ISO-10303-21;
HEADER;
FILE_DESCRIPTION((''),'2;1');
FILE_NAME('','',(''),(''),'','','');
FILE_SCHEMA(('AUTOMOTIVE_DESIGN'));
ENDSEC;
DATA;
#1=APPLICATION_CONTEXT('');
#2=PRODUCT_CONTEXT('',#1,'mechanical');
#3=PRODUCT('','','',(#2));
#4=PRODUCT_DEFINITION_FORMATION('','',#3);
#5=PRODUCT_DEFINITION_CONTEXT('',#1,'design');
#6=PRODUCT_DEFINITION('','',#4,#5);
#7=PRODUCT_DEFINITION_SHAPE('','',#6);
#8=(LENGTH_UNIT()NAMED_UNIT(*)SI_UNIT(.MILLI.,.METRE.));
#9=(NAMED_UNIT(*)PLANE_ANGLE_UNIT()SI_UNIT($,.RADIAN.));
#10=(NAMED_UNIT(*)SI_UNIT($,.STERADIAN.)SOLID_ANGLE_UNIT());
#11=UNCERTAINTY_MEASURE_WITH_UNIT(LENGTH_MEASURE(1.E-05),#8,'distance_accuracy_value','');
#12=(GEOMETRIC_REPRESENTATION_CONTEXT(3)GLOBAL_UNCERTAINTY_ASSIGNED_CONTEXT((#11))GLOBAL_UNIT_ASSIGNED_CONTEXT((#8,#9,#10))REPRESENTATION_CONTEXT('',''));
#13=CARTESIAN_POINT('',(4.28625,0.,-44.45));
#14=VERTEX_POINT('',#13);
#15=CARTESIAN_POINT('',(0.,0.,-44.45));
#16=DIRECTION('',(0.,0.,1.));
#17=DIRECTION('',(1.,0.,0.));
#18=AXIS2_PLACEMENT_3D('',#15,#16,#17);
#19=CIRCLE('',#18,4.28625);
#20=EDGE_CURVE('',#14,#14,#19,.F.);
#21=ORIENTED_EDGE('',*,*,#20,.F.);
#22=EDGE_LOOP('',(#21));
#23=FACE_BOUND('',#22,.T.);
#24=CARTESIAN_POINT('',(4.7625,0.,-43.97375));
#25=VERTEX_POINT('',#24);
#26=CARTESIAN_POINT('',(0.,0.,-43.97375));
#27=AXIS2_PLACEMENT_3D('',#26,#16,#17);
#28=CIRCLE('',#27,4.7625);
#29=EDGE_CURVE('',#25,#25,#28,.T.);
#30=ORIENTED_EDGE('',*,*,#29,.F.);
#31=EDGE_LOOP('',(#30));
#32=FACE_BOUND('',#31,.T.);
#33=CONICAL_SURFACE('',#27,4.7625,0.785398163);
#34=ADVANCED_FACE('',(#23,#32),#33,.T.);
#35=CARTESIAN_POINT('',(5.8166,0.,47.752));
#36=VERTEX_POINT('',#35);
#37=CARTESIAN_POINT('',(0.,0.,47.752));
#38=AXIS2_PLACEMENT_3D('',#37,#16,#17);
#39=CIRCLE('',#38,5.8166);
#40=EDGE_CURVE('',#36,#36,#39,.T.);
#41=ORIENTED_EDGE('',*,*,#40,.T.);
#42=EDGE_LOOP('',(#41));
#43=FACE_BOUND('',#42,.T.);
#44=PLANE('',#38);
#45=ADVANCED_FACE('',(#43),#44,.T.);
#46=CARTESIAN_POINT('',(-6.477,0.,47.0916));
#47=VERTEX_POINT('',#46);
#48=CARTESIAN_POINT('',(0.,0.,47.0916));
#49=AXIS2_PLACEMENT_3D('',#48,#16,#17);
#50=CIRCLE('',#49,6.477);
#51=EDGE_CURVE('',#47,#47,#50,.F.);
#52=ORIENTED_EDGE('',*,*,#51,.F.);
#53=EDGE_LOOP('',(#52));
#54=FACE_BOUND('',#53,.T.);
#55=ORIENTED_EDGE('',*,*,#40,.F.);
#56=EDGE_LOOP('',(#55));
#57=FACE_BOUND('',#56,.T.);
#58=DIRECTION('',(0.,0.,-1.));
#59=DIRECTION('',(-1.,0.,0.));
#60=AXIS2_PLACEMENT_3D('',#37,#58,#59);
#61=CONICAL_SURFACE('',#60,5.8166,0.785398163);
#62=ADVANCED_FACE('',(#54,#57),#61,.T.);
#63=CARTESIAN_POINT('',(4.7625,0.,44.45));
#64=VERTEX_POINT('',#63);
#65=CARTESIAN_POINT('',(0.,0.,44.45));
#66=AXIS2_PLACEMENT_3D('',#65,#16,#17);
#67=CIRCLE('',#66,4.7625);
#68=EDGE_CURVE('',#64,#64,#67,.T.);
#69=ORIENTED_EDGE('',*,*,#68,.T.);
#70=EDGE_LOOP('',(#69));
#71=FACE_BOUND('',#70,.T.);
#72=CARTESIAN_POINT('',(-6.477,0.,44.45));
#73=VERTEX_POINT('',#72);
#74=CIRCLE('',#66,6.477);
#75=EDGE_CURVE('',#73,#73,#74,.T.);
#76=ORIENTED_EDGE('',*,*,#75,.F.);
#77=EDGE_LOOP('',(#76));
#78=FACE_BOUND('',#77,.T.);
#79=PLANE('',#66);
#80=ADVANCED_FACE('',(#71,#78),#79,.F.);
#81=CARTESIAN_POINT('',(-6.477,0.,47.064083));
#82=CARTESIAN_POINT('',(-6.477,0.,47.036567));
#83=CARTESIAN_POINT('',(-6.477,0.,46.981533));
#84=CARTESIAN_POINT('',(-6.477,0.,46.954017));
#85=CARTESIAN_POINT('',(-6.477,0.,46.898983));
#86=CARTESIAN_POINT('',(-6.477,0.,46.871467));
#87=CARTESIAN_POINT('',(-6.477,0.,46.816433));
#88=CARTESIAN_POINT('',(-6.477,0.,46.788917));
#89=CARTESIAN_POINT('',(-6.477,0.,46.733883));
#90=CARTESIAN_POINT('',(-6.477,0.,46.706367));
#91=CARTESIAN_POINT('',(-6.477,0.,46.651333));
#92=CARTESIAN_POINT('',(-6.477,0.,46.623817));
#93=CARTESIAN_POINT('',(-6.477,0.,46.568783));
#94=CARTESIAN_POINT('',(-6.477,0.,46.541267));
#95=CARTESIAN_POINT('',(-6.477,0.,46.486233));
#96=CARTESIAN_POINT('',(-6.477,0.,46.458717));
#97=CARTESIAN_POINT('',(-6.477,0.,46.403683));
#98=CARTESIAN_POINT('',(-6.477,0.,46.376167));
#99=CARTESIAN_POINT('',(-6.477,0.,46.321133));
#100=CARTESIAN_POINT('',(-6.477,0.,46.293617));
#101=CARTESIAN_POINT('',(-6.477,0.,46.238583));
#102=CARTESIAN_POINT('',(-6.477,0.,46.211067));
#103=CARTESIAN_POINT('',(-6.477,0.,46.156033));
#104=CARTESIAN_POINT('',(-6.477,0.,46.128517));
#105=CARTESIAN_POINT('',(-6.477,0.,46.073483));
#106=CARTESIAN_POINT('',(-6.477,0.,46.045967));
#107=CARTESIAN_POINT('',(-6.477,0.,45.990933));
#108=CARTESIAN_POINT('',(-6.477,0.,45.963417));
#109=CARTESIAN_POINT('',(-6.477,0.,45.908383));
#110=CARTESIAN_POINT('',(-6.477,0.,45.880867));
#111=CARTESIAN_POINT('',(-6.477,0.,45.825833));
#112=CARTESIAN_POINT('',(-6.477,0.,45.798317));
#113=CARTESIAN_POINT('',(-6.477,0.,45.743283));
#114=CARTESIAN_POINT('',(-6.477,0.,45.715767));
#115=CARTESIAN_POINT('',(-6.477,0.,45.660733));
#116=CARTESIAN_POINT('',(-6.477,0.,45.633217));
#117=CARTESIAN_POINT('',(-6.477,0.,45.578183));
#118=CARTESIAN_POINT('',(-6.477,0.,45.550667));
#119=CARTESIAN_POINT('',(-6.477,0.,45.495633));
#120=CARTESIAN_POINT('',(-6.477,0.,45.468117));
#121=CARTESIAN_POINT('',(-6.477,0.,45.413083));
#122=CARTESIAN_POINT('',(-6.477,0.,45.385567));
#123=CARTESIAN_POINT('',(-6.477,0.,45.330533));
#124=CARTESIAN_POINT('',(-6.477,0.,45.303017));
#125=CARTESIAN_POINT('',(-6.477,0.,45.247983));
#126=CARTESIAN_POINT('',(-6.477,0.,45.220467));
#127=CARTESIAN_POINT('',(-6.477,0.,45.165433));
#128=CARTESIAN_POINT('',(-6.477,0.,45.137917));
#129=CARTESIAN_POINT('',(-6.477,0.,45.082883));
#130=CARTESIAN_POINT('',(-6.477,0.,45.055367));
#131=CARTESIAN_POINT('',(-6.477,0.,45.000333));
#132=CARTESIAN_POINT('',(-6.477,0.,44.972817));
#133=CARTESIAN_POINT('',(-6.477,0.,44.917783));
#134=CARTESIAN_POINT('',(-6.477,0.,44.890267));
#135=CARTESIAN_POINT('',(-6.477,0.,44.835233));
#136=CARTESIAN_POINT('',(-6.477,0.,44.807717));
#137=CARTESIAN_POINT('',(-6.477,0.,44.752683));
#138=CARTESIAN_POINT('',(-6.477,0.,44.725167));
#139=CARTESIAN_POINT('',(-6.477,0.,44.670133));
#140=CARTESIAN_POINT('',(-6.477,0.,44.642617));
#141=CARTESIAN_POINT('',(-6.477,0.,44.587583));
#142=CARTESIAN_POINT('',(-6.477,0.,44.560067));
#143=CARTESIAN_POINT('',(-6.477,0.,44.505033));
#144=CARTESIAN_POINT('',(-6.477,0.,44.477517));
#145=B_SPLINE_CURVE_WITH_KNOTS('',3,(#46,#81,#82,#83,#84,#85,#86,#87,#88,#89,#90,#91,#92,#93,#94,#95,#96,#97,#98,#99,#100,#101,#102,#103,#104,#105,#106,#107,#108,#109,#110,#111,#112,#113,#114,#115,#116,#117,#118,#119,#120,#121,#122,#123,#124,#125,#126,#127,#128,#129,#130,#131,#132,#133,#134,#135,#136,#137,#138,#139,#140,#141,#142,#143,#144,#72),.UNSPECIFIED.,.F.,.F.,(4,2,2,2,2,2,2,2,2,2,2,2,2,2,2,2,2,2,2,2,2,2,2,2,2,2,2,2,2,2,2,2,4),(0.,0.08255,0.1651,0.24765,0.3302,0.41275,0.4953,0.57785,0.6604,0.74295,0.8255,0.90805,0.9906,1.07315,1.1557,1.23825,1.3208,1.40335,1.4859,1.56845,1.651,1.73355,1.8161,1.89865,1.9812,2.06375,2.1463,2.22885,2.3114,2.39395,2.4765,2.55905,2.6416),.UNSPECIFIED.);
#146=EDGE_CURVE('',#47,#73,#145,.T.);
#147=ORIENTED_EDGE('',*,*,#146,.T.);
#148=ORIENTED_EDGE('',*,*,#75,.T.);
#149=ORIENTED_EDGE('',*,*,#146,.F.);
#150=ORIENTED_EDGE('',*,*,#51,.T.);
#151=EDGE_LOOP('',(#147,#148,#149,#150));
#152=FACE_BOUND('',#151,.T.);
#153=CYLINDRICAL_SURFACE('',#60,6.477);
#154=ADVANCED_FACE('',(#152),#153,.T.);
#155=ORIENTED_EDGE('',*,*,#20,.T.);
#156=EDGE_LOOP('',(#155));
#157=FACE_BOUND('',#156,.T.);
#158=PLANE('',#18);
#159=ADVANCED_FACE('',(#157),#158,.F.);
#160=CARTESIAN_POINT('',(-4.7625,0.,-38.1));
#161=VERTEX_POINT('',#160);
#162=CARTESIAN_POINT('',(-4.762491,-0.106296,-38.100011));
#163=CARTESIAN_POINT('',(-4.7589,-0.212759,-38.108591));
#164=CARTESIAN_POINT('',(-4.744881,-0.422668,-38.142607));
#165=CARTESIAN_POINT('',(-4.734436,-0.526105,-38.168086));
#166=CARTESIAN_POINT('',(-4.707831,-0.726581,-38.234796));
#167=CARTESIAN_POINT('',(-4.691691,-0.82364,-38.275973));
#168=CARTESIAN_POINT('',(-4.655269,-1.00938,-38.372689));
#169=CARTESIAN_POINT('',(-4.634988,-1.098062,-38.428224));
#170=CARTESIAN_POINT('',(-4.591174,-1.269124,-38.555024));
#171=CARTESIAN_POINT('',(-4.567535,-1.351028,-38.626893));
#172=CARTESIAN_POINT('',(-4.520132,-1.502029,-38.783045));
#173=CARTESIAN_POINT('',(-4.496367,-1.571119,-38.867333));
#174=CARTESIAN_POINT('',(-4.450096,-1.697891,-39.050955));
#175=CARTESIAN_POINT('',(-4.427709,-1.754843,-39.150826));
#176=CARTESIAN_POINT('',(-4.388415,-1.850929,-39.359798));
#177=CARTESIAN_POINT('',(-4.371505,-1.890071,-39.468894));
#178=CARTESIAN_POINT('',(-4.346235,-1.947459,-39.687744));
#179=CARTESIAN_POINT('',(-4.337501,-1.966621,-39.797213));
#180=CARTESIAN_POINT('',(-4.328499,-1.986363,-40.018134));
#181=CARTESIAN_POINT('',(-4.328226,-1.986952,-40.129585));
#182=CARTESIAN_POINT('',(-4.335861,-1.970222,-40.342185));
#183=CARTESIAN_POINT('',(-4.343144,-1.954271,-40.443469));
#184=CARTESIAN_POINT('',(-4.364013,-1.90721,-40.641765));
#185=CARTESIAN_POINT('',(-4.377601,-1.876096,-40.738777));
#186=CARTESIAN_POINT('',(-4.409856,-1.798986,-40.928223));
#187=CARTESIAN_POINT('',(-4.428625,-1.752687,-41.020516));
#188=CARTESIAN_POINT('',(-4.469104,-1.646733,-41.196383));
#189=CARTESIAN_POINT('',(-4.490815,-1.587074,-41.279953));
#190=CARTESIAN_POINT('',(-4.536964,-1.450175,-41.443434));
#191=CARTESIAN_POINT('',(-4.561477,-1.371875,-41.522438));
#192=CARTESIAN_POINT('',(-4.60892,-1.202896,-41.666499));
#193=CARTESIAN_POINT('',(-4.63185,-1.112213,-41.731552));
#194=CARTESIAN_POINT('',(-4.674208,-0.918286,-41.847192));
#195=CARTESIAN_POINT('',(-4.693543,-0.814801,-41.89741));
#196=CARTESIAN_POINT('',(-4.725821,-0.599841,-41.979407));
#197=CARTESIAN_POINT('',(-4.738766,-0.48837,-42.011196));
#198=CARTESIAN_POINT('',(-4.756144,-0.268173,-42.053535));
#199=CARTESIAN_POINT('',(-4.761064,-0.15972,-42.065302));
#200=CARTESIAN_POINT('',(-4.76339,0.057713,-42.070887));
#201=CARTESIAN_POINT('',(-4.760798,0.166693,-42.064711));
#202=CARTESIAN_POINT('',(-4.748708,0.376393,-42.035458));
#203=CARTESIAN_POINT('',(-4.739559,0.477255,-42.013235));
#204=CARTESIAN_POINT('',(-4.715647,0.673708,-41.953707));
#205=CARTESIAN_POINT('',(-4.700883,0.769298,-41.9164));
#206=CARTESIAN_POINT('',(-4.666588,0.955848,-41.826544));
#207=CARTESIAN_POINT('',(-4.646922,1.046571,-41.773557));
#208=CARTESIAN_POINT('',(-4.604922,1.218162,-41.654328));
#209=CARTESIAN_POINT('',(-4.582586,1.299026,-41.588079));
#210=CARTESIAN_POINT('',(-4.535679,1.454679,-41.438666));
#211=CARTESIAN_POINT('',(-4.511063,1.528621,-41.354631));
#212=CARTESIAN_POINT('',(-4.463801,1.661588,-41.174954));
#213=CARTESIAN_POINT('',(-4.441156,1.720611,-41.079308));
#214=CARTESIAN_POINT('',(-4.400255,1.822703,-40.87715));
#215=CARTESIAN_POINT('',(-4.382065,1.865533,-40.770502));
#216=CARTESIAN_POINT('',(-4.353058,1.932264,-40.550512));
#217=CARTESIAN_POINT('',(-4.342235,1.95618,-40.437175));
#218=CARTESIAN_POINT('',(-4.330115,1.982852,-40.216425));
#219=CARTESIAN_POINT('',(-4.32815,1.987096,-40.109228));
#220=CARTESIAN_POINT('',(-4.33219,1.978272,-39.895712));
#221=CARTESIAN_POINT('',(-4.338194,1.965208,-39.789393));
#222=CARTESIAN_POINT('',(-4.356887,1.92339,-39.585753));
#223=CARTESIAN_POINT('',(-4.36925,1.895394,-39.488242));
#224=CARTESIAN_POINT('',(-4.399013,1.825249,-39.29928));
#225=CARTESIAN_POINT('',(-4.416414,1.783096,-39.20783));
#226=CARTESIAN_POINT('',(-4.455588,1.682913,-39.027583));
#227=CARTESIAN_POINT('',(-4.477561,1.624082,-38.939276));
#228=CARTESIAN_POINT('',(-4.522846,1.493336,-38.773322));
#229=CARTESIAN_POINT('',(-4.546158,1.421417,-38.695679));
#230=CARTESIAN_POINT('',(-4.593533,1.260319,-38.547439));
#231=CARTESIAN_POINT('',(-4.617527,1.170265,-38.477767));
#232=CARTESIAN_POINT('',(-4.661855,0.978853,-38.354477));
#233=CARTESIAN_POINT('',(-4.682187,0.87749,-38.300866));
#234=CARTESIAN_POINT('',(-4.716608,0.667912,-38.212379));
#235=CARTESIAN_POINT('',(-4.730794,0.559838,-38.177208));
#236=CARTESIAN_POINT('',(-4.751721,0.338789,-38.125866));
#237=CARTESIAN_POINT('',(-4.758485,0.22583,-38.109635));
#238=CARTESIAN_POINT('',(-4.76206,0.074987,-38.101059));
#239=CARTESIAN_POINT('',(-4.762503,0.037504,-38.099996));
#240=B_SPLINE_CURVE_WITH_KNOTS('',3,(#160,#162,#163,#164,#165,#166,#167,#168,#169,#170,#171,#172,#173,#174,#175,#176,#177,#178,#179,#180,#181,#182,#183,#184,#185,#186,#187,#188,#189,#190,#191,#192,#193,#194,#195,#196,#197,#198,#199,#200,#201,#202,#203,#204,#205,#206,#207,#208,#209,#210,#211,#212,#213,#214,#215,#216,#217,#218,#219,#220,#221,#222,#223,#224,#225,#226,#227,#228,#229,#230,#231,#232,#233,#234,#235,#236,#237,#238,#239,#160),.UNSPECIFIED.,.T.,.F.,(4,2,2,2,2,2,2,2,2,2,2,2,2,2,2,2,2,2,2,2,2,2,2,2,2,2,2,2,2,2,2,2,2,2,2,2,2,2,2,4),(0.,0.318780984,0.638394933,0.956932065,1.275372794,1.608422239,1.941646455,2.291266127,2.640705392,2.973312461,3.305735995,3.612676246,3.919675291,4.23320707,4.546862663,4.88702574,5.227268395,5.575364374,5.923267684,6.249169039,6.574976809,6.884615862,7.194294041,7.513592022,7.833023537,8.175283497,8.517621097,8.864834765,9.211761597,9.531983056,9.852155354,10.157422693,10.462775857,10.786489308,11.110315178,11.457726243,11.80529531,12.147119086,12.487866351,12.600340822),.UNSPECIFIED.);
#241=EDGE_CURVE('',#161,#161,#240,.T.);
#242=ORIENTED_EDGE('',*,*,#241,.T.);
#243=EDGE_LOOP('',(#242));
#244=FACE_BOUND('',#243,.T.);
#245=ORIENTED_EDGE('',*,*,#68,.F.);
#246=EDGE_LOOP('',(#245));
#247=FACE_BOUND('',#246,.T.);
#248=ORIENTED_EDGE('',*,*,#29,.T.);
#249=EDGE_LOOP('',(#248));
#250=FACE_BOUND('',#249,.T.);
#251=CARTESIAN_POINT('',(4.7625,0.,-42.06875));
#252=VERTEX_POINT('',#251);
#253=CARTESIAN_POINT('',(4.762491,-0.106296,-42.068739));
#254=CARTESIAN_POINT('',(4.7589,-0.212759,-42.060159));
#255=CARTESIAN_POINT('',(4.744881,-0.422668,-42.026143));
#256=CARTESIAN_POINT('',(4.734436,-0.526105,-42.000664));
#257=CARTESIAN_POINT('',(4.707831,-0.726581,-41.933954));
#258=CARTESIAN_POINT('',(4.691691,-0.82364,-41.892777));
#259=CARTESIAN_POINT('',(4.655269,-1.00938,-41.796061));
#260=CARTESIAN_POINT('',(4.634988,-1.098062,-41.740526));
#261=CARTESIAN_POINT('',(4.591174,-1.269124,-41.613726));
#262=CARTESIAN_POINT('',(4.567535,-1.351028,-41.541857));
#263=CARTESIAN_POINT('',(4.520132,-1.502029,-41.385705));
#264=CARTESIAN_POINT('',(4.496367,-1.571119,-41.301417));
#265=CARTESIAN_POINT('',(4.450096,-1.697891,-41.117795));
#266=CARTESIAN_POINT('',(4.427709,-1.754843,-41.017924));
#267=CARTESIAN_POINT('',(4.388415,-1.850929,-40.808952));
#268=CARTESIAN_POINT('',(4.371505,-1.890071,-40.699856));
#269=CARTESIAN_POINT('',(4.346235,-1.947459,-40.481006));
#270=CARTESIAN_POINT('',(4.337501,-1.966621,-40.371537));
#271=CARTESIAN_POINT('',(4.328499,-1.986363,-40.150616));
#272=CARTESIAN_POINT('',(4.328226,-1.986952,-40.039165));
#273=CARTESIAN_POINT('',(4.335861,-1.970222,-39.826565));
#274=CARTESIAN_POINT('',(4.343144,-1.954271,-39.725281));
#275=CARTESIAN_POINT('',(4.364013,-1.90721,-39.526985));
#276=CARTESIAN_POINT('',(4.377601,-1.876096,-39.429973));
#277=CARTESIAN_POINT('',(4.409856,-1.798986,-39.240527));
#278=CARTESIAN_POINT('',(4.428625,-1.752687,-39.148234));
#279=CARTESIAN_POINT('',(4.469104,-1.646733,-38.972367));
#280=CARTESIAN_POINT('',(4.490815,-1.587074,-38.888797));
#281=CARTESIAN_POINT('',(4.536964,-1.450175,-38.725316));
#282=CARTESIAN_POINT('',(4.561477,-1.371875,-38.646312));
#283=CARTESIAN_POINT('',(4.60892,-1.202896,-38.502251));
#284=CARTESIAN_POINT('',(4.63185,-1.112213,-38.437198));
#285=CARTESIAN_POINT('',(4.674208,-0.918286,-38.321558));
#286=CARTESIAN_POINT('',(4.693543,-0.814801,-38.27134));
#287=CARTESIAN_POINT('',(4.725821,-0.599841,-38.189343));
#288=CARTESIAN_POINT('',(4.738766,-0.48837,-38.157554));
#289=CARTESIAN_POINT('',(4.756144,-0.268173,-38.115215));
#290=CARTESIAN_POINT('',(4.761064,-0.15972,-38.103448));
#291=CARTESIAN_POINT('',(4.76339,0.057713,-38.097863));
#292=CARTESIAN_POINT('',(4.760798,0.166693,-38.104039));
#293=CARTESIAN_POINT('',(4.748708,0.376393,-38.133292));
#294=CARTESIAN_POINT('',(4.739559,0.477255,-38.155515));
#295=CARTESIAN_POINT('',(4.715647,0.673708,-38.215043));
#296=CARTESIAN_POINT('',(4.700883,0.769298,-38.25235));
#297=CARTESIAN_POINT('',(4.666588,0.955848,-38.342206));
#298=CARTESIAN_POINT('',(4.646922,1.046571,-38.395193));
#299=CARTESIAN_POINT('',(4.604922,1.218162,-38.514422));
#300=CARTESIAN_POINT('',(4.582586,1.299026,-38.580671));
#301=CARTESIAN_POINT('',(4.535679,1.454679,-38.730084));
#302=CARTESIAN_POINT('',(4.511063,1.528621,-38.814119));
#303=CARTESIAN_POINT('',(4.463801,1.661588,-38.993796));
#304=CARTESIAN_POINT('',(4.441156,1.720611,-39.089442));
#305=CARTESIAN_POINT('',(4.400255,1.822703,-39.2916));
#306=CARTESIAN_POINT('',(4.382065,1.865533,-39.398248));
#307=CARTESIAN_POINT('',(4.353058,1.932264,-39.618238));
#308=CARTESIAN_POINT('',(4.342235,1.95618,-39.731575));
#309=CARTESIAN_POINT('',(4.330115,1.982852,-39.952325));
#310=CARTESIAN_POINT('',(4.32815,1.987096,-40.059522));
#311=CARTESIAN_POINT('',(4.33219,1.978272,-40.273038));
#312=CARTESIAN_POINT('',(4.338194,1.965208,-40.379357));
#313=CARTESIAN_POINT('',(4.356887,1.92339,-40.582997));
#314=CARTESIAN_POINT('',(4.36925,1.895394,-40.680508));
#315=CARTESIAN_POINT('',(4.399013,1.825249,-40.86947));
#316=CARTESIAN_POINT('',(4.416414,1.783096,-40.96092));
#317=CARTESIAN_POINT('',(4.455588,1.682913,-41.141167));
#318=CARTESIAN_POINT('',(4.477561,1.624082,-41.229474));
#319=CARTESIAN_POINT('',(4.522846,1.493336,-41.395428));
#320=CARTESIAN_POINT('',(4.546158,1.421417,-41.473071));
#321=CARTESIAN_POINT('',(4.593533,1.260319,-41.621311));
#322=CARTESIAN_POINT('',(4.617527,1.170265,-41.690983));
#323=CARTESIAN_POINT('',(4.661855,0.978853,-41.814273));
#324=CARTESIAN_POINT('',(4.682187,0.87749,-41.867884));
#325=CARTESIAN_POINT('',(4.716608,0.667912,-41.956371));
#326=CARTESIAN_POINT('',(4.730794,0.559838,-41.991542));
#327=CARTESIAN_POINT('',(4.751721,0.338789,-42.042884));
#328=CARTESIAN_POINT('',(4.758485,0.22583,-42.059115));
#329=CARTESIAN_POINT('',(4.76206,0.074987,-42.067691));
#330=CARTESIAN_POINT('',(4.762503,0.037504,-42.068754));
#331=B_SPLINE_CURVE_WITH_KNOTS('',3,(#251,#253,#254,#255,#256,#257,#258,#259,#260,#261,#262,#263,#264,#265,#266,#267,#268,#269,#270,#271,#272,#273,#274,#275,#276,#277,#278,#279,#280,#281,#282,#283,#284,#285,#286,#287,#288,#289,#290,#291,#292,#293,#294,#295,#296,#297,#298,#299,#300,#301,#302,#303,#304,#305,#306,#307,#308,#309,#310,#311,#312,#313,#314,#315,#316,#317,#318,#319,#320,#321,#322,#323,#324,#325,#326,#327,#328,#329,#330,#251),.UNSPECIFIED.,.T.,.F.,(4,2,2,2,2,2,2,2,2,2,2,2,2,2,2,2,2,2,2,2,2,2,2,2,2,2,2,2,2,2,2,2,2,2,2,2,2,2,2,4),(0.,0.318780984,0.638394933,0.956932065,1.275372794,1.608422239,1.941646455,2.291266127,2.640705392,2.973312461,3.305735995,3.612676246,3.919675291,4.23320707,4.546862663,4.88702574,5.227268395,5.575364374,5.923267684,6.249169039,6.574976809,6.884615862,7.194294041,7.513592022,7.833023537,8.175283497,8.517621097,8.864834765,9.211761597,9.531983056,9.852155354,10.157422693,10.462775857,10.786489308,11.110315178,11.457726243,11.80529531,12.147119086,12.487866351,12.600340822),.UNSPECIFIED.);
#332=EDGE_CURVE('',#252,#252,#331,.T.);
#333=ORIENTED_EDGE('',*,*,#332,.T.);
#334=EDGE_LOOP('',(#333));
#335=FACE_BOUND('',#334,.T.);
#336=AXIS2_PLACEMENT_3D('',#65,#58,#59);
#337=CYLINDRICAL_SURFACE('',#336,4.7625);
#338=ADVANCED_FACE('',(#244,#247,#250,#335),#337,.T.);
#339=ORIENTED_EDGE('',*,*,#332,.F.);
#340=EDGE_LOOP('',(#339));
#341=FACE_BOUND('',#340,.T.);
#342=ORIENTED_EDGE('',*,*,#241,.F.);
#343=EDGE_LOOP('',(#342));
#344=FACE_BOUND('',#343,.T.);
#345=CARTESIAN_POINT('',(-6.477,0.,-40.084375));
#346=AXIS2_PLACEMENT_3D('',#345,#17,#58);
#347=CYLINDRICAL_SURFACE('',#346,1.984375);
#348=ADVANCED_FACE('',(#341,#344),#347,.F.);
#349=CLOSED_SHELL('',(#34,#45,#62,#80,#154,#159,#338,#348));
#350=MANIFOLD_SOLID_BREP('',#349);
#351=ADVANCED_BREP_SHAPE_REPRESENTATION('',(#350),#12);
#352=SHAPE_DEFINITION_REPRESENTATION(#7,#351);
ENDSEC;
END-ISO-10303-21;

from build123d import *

# Parameters (mm, degrees)
SKETCH1_R           = 4.7625
EXTRUDE1_DEPTH      = 44.45
SKETCH2_R           = 6.477
EXTRUDE2_DEPTH      = 3.302
CHAMFER1_SIZE       = 0.6604
EXTRUDE3_DEPTH      = 49.622593123
EXTRUDE3_DEPTH_BACK = 49.622593123
SKETCH3_R           = 1.984375
CHAMFER2_SIZE       = 0.47625


with BuildPart() as part:
    # Sketch1 → Extrude1 (new, symmetric)
    with BuildSketch(Plane.XY):
        Circle(SKETCH1_R)
    extrude(amount=EXTRUDE1_DEPTH, both=True)

    # Sketch2 → Extrude2 (add)
    with BuildSketch(Plane.XY.offset(44.45)):
        with Locations(Location((0, 0, 0), (0, 0, 180))):
            Circle(SKETCH2_R)
    extrude(amount=EXTRUDE2_DEPTH)

    # Chamfer1
    chamfer1_edges = [part.edges().sort_by_distance(p)[0] for p in [
        (6.477, 0, 47.752),
    ]]
    chamfer(chamfer1_edges, length=CHAMFER1_SIZE)

    # Sketch3 → Extrude3 (cut, two sides: drawn at the far end of the back side and taken through both)
    with BuildSketch(Plane(origin=(0, 0, 0), x_dir=(0, 0, -1), z_dir=(1, 0, 0)).offset(-EXTRUDE3_DEPTH_BACK)):
        with Locations(Location((40.084375, 0, 0), (0, 0, 180.000000002))):
            Circle(SKETCH3_R)
    extrude(amount=EXTRUDE3_DEPTH + EXTRUDE3_DEPTH_BACK, mode=Mode.SUBTRACT)

    # Chamfer2
    chamfer2_edges = [part.edges().sort_by_distance(p)[0] for p in [
        (-4.7625, 0, -44.45),
    ]]
    chamfer(chamfer2_edges, length=CHAMFER2_SIZE)


solid = part.part
